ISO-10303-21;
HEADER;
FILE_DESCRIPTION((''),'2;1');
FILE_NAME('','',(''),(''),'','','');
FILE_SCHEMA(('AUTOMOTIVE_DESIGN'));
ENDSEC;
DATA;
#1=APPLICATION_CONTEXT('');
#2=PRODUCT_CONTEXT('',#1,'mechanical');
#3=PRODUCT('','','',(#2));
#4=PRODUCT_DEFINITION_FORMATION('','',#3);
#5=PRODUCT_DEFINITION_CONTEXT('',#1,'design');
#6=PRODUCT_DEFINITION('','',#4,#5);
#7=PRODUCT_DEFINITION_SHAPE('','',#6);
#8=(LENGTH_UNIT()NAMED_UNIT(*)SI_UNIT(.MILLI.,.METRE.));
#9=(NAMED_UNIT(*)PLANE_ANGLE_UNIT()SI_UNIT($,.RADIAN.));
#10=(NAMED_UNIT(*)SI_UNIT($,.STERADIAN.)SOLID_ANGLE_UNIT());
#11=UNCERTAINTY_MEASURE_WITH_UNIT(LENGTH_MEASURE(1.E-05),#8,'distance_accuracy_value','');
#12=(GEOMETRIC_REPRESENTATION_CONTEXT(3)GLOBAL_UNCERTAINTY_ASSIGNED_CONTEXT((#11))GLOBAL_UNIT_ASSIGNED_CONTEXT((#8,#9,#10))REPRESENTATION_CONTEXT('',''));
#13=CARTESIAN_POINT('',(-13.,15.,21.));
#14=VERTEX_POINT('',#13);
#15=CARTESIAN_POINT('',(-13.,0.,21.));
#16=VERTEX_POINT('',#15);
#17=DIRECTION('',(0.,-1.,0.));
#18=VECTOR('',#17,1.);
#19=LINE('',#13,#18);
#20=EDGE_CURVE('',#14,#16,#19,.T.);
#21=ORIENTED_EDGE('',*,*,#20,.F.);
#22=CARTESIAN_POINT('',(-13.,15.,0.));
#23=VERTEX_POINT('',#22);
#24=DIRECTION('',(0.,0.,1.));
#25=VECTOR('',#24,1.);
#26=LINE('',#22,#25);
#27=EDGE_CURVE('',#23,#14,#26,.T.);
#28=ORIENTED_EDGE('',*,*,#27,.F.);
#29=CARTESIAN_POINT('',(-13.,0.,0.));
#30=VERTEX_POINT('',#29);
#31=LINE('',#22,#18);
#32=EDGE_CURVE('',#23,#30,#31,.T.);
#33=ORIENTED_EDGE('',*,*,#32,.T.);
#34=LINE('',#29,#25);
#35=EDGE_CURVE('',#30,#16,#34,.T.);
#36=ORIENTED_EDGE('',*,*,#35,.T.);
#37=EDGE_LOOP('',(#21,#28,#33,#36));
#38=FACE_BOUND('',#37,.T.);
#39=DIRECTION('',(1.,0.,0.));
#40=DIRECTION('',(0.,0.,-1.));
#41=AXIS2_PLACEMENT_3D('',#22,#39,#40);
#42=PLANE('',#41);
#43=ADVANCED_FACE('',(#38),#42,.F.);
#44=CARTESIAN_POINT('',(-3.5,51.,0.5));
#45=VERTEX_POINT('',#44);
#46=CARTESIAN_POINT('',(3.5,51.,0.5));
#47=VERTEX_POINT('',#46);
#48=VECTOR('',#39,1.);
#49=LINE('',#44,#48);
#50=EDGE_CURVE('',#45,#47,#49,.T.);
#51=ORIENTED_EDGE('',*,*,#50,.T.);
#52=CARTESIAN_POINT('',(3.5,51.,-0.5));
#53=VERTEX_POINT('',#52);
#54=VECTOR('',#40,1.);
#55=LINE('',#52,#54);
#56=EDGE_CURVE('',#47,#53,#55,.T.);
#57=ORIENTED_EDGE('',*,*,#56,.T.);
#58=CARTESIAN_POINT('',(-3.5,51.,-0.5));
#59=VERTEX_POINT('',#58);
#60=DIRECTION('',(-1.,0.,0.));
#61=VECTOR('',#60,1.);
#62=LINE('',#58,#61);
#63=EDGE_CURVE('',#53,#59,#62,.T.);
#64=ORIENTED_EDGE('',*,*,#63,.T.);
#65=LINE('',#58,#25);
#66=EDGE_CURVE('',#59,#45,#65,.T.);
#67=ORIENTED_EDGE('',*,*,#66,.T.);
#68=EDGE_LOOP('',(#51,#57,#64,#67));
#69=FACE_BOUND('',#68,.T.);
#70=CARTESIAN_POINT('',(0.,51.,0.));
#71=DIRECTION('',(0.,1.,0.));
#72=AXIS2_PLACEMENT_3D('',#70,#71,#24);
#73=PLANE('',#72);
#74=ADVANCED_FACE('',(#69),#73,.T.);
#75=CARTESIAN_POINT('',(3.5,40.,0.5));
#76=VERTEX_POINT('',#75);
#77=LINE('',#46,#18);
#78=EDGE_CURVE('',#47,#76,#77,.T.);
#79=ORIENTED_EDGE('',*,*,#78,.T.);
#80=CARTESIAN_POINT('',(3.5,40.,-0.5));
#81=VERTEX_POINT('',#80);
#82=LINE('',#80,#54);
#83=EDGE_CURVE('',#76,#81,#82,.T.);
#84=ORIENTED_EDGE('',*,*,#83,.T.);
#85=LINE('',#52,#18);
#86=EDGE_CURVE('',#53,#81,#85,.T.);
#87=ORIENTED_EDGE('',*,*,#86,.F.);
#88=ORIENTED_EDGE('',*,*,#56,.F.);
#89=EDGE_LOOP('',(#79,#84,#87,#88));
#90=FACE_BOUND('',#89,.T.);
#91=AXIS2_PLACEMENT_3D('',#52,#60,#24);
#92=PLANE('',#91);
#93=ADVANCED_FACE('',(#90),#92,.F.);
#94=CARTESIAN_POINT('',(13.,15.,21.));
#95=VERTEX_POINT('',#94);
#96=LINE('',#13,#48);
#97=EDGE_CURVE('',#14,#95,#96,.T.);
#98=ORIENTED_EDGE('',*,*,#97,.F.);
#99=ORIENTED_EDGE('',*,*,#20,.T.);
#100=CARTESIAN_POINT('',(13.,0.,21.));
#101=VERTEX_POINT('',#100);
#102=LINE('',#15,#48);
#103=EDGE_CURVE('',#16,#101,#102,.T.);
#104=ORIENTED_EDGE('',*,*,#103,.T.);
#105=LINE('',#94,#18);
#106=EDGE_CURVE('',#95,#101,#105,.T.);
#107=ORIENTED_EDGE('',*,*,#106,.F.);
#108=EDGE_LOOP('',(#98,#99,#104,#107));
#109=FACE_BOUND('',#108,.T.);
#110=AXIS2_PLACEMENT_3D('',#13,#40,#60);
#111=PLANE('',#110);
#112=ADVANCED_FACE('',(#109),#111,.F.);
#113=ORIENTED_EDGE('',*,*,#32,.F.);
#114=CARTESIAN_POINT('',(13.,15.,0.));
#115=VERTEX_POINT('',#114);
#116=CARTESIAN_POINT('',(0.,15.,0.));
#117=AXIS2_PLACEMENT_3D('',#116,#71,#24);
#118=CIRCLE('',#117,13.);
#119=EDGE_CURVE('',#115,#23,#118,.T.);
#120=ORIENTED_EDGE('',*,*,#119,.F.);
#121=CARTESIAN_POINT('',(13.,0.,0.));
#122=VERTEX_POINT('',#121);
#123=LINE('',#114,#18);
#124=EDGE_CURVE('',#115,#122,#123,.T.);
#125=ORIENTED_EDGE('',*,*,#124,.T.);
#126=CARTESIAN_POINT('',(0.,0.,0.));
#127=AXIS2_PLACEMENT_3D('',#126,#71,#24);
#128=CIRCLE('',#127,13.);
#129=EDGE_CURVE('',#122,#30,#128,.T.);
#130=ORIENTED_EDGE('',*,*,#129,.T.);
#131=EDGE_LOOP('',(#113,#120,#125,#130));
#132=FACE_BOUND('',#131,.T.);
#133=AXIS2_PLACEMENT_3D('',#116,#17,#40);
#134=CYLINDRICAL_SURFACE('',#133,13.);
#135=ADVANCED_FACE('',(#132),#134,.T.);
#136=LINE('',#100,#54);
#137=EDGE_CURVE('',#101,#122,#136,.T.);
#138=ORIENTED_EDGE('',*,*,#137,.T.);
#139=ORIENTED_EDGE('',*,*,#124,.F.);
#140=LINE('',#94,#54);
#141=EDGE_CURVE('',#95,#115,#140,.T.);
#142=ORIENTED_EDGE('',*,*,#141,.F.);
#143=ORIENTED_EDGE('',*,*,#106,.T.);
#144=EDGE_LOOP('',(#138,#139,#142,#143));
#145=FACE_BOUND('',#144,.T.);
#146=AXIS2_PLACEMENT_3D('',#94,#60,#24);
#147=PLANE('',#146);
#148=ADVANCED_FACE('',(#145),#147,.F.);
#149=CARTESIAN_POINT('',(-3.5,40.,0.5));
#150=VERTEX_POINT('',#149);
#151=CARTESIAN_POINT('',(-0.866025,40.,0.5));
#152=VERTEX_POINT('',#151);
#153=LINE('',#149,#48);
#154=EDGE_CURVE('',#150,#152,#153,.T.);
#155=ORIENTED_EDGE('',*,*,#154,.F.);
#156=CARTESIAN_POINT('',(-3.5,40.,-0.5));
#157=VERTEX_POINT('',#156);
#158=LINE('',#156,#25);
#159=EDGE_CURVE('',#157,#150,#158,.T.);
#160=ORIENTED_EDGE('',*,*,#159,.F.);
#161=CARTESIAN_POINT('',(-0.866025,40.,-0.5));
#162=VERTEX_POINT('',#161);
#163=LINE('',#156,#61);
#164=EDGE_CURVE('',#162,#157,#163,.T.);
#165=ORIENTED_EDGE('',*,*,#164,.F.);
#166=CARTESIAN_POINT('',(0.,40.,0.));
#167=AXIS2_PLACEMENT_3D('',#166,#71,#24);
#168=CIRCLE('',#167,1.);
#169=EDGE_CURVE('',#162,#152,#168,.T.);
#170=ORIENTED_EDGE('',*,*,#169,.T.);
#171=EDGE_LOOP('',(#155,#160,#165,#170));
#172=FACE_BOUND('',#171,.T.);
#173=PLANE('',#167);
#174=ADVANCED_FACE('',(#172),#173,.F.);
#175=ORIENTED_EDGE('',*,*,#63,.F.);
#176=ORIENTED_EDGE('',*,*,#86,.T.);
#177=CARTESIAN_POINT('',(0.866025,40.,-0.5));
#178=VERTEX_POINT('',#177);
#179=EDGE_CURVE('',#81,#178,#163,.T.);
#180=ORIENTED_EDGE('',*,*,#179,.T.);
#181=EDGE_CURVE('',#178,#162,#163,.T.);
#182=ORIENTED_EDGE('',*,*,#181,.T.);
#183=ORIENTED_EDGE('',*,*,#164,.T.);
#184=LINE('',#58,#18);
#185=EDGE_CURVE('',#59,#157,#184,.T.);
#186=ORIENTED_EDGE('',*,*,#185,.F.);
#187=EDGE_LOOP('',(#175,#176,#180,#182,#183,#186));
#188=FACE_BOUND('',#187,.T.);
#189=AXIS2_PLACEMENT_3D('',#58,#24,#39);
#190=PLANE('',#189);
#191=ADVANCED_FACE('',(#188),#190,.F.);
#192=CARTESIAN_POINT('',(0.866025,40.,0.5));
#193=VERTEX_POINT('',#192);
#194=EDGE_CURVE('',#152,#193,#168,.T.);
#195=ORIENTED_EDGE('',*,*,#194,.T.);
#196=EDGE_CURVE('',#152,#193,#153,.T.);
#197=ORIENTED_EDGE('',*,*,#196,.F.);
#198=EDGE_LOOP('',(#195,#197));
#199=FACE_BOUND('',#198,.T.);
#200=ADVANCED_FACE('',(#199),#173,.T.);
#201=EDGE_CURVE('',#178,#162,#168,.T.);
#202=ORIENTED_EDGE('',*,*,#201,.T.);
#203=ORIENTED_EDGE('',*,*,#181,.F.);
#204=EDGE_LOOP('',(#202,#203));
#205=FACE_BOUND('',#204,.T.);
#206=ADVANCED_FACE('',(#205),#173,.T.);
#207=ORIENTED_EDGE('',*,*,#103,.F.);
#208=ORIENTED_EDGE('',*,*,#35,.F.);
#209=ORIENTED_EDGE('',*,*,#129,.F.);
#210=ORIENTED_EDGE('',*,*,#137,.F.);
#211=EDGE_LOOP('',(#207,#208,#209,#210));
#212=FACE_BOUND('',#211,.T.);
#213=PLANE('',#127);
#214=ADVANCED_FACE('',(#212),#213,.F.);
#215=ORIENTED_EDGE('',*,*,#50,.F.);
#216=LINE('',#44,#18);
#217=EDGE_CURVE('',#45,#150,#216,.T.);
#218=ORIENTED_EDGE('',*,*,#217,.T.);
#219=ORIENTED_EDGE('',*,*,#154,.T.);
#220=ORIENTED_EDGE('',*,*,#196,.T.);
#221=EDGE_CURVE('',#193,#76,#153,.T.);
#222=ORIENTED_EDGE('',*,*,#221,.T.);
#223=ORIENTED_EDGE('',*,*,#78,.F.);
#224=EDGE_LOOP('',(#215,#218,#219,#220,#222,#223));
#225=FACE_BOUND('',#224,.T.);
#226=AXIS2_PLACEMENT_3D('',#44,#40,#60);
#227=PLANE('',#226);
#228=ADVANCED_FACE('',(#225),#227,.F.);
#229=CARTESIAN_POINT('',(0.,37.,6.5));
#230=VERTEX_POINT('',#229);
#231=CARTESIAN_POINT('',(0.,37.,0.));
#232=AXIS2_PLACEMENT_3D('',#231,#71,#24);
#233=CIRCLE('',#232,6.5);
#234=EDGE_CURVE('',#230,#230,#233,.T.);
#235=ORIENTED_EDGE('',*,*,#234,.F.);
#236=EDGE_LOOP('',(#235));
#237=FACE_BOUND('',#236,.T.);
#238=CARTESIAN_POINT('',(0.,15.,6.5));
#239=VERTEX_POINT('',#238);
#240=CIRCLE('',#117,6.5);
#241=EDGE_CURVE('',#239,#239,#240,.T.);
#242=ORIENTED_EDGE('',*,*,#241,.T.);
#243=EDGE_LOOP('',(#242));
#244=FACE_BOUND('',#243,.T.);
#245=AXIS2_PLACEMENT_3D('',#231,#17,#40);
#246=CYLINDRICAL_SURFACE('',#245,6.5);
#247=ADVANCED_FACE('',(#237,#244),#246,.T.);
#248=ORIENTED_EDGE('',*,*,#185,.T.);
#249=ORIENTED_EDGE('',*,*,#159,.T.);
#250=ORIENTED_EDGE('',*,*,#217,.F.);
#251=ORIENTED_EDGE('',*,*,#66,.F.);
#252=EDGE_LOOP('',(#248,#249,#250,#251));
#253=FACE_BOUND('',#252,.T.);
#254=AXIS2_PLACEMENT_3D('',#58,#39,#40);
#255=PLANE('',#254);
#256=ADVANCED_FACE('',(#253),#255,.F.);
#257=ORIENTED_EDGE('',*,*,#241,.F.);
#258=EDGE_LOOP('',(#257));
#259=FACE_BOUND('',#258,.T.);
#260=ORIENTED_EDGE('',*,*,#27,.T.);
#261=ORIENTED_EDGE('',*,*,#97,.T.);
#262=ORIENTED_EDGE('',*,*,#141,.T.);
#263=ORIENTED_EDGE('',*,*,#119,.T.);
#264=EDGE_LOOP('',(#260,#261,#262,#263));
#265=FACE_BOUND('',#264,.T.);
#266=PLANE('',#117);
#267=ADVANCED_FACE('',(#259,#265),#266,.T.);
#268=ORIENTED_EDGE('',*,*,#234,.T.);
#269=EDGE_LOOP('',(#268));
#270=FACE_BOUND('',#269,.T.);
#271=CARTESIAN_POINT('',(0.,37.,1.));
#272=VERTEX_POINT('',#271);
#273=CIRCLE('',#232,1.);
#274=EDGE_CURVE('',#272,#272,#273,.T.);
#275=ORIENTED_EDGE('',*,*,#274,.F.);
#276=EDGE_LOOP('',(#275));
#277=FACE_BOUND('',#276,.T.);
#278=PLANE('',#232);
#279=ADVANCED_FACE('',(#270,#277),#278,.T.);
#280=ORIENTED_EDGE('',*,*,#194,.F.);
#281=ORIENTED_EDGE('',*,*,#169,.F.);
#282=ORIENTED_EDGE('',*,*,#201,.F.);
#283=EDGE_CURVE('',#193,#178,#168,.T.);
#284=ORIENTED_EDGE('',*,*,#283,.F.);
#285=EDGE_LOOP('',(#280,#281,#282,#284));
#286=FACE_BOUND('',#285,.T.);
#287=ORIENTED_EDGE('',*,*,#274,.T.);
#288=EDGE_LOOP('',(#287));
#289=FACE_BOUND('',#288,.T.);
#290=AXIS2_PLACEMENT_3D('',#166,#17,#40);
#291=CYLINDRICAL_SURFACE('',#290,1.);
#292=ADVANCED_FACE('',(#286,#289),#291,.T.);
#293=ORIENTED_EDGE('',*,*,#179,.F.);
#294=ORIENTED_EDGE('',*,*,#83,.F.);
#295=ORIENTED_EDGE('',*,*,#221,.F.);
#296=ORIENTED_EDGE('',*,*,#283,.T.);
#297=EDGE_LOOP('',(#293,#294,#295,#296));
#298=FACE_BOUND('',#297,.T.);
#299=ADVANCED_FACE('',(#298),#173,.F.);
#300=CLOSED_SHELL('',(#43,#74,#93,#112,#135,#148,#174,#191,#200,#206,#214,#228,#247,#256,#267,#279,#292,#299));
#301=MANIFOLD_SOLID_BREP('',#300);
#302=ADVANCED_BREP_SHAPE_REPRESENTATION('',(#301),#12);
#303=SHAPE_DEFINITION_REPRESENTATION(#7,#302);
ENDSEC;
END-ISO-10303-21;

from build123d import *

# Parameters (mm, degrees)
BOSS_EXTRUDE1_DEPTH = 15
SKETCH2_R           = 6.5
BOSS_EXTRUDE2_DEPTH = 22
SKETCH3_R           = 1
BOSS_EXTRUDE3_DEPTH = 3
SKETCH4_W           = 7
SKETCH4_H           = 1
BOSS_EXTRUDE4_DEPTH = 11


with BuildPart() as part:
    # Sketch1 → Boss-Extrude1 (new body)
    with BuildSketch(Plane(origin=(0, 0, 0), x_dir=(1, 0, 0), z_dir=(0, 1, 0))):
        with BuildLine():
            Line((-13, 0), (-13, -21))
            Line((-13, -21), (13, -21))
            Line((13, -21), (13, 0))
            ThreePointArc((13, 0), (0, 13), (-13, 0))
        make_face()
    extrude(amount=BOSS_EXTRUDE1_DEPTH)

    # Sketch2 → Boss-Extrude2 (add)
    with BuildSketch(Plane(origin=(0, 15, 0), x_dir=(1, 0, 0), z_dir=(0, 1, 0))):
        with Locations(Location((0, 0, 0), (0, 0, 270))):
            Circle(SKETCH2_R)
    extrude(amount=BOSS_EXTRUDE2_DEPTH)

    # Sketch3 → Boss-Extrude3 (add)
    with BuildSketch(Plane(origin=(0, 37, 0), x_dir=(1, 0, 0), z_dir=(0, 1, 0))):
        with Locations(Location((0, 0, 0), (0, 0, 270))):
            Circle(SKETCH3_R)
    extrude(amount=BOSS_EXTRUDE3_DEPTH)

    # Sketch4 → Boss-Extrude4 (add)
    with BuildSketch(Plane(origin=(0, 40, 0), x_dir=(1, 0, 0), z_dir=(0, 1, 0))):
        Rectangle(SKETCH4_W, SKETCH4_H)
    extrude(amount=BOSS_EXTRUDE4_DEPTH)


solid = part.part
